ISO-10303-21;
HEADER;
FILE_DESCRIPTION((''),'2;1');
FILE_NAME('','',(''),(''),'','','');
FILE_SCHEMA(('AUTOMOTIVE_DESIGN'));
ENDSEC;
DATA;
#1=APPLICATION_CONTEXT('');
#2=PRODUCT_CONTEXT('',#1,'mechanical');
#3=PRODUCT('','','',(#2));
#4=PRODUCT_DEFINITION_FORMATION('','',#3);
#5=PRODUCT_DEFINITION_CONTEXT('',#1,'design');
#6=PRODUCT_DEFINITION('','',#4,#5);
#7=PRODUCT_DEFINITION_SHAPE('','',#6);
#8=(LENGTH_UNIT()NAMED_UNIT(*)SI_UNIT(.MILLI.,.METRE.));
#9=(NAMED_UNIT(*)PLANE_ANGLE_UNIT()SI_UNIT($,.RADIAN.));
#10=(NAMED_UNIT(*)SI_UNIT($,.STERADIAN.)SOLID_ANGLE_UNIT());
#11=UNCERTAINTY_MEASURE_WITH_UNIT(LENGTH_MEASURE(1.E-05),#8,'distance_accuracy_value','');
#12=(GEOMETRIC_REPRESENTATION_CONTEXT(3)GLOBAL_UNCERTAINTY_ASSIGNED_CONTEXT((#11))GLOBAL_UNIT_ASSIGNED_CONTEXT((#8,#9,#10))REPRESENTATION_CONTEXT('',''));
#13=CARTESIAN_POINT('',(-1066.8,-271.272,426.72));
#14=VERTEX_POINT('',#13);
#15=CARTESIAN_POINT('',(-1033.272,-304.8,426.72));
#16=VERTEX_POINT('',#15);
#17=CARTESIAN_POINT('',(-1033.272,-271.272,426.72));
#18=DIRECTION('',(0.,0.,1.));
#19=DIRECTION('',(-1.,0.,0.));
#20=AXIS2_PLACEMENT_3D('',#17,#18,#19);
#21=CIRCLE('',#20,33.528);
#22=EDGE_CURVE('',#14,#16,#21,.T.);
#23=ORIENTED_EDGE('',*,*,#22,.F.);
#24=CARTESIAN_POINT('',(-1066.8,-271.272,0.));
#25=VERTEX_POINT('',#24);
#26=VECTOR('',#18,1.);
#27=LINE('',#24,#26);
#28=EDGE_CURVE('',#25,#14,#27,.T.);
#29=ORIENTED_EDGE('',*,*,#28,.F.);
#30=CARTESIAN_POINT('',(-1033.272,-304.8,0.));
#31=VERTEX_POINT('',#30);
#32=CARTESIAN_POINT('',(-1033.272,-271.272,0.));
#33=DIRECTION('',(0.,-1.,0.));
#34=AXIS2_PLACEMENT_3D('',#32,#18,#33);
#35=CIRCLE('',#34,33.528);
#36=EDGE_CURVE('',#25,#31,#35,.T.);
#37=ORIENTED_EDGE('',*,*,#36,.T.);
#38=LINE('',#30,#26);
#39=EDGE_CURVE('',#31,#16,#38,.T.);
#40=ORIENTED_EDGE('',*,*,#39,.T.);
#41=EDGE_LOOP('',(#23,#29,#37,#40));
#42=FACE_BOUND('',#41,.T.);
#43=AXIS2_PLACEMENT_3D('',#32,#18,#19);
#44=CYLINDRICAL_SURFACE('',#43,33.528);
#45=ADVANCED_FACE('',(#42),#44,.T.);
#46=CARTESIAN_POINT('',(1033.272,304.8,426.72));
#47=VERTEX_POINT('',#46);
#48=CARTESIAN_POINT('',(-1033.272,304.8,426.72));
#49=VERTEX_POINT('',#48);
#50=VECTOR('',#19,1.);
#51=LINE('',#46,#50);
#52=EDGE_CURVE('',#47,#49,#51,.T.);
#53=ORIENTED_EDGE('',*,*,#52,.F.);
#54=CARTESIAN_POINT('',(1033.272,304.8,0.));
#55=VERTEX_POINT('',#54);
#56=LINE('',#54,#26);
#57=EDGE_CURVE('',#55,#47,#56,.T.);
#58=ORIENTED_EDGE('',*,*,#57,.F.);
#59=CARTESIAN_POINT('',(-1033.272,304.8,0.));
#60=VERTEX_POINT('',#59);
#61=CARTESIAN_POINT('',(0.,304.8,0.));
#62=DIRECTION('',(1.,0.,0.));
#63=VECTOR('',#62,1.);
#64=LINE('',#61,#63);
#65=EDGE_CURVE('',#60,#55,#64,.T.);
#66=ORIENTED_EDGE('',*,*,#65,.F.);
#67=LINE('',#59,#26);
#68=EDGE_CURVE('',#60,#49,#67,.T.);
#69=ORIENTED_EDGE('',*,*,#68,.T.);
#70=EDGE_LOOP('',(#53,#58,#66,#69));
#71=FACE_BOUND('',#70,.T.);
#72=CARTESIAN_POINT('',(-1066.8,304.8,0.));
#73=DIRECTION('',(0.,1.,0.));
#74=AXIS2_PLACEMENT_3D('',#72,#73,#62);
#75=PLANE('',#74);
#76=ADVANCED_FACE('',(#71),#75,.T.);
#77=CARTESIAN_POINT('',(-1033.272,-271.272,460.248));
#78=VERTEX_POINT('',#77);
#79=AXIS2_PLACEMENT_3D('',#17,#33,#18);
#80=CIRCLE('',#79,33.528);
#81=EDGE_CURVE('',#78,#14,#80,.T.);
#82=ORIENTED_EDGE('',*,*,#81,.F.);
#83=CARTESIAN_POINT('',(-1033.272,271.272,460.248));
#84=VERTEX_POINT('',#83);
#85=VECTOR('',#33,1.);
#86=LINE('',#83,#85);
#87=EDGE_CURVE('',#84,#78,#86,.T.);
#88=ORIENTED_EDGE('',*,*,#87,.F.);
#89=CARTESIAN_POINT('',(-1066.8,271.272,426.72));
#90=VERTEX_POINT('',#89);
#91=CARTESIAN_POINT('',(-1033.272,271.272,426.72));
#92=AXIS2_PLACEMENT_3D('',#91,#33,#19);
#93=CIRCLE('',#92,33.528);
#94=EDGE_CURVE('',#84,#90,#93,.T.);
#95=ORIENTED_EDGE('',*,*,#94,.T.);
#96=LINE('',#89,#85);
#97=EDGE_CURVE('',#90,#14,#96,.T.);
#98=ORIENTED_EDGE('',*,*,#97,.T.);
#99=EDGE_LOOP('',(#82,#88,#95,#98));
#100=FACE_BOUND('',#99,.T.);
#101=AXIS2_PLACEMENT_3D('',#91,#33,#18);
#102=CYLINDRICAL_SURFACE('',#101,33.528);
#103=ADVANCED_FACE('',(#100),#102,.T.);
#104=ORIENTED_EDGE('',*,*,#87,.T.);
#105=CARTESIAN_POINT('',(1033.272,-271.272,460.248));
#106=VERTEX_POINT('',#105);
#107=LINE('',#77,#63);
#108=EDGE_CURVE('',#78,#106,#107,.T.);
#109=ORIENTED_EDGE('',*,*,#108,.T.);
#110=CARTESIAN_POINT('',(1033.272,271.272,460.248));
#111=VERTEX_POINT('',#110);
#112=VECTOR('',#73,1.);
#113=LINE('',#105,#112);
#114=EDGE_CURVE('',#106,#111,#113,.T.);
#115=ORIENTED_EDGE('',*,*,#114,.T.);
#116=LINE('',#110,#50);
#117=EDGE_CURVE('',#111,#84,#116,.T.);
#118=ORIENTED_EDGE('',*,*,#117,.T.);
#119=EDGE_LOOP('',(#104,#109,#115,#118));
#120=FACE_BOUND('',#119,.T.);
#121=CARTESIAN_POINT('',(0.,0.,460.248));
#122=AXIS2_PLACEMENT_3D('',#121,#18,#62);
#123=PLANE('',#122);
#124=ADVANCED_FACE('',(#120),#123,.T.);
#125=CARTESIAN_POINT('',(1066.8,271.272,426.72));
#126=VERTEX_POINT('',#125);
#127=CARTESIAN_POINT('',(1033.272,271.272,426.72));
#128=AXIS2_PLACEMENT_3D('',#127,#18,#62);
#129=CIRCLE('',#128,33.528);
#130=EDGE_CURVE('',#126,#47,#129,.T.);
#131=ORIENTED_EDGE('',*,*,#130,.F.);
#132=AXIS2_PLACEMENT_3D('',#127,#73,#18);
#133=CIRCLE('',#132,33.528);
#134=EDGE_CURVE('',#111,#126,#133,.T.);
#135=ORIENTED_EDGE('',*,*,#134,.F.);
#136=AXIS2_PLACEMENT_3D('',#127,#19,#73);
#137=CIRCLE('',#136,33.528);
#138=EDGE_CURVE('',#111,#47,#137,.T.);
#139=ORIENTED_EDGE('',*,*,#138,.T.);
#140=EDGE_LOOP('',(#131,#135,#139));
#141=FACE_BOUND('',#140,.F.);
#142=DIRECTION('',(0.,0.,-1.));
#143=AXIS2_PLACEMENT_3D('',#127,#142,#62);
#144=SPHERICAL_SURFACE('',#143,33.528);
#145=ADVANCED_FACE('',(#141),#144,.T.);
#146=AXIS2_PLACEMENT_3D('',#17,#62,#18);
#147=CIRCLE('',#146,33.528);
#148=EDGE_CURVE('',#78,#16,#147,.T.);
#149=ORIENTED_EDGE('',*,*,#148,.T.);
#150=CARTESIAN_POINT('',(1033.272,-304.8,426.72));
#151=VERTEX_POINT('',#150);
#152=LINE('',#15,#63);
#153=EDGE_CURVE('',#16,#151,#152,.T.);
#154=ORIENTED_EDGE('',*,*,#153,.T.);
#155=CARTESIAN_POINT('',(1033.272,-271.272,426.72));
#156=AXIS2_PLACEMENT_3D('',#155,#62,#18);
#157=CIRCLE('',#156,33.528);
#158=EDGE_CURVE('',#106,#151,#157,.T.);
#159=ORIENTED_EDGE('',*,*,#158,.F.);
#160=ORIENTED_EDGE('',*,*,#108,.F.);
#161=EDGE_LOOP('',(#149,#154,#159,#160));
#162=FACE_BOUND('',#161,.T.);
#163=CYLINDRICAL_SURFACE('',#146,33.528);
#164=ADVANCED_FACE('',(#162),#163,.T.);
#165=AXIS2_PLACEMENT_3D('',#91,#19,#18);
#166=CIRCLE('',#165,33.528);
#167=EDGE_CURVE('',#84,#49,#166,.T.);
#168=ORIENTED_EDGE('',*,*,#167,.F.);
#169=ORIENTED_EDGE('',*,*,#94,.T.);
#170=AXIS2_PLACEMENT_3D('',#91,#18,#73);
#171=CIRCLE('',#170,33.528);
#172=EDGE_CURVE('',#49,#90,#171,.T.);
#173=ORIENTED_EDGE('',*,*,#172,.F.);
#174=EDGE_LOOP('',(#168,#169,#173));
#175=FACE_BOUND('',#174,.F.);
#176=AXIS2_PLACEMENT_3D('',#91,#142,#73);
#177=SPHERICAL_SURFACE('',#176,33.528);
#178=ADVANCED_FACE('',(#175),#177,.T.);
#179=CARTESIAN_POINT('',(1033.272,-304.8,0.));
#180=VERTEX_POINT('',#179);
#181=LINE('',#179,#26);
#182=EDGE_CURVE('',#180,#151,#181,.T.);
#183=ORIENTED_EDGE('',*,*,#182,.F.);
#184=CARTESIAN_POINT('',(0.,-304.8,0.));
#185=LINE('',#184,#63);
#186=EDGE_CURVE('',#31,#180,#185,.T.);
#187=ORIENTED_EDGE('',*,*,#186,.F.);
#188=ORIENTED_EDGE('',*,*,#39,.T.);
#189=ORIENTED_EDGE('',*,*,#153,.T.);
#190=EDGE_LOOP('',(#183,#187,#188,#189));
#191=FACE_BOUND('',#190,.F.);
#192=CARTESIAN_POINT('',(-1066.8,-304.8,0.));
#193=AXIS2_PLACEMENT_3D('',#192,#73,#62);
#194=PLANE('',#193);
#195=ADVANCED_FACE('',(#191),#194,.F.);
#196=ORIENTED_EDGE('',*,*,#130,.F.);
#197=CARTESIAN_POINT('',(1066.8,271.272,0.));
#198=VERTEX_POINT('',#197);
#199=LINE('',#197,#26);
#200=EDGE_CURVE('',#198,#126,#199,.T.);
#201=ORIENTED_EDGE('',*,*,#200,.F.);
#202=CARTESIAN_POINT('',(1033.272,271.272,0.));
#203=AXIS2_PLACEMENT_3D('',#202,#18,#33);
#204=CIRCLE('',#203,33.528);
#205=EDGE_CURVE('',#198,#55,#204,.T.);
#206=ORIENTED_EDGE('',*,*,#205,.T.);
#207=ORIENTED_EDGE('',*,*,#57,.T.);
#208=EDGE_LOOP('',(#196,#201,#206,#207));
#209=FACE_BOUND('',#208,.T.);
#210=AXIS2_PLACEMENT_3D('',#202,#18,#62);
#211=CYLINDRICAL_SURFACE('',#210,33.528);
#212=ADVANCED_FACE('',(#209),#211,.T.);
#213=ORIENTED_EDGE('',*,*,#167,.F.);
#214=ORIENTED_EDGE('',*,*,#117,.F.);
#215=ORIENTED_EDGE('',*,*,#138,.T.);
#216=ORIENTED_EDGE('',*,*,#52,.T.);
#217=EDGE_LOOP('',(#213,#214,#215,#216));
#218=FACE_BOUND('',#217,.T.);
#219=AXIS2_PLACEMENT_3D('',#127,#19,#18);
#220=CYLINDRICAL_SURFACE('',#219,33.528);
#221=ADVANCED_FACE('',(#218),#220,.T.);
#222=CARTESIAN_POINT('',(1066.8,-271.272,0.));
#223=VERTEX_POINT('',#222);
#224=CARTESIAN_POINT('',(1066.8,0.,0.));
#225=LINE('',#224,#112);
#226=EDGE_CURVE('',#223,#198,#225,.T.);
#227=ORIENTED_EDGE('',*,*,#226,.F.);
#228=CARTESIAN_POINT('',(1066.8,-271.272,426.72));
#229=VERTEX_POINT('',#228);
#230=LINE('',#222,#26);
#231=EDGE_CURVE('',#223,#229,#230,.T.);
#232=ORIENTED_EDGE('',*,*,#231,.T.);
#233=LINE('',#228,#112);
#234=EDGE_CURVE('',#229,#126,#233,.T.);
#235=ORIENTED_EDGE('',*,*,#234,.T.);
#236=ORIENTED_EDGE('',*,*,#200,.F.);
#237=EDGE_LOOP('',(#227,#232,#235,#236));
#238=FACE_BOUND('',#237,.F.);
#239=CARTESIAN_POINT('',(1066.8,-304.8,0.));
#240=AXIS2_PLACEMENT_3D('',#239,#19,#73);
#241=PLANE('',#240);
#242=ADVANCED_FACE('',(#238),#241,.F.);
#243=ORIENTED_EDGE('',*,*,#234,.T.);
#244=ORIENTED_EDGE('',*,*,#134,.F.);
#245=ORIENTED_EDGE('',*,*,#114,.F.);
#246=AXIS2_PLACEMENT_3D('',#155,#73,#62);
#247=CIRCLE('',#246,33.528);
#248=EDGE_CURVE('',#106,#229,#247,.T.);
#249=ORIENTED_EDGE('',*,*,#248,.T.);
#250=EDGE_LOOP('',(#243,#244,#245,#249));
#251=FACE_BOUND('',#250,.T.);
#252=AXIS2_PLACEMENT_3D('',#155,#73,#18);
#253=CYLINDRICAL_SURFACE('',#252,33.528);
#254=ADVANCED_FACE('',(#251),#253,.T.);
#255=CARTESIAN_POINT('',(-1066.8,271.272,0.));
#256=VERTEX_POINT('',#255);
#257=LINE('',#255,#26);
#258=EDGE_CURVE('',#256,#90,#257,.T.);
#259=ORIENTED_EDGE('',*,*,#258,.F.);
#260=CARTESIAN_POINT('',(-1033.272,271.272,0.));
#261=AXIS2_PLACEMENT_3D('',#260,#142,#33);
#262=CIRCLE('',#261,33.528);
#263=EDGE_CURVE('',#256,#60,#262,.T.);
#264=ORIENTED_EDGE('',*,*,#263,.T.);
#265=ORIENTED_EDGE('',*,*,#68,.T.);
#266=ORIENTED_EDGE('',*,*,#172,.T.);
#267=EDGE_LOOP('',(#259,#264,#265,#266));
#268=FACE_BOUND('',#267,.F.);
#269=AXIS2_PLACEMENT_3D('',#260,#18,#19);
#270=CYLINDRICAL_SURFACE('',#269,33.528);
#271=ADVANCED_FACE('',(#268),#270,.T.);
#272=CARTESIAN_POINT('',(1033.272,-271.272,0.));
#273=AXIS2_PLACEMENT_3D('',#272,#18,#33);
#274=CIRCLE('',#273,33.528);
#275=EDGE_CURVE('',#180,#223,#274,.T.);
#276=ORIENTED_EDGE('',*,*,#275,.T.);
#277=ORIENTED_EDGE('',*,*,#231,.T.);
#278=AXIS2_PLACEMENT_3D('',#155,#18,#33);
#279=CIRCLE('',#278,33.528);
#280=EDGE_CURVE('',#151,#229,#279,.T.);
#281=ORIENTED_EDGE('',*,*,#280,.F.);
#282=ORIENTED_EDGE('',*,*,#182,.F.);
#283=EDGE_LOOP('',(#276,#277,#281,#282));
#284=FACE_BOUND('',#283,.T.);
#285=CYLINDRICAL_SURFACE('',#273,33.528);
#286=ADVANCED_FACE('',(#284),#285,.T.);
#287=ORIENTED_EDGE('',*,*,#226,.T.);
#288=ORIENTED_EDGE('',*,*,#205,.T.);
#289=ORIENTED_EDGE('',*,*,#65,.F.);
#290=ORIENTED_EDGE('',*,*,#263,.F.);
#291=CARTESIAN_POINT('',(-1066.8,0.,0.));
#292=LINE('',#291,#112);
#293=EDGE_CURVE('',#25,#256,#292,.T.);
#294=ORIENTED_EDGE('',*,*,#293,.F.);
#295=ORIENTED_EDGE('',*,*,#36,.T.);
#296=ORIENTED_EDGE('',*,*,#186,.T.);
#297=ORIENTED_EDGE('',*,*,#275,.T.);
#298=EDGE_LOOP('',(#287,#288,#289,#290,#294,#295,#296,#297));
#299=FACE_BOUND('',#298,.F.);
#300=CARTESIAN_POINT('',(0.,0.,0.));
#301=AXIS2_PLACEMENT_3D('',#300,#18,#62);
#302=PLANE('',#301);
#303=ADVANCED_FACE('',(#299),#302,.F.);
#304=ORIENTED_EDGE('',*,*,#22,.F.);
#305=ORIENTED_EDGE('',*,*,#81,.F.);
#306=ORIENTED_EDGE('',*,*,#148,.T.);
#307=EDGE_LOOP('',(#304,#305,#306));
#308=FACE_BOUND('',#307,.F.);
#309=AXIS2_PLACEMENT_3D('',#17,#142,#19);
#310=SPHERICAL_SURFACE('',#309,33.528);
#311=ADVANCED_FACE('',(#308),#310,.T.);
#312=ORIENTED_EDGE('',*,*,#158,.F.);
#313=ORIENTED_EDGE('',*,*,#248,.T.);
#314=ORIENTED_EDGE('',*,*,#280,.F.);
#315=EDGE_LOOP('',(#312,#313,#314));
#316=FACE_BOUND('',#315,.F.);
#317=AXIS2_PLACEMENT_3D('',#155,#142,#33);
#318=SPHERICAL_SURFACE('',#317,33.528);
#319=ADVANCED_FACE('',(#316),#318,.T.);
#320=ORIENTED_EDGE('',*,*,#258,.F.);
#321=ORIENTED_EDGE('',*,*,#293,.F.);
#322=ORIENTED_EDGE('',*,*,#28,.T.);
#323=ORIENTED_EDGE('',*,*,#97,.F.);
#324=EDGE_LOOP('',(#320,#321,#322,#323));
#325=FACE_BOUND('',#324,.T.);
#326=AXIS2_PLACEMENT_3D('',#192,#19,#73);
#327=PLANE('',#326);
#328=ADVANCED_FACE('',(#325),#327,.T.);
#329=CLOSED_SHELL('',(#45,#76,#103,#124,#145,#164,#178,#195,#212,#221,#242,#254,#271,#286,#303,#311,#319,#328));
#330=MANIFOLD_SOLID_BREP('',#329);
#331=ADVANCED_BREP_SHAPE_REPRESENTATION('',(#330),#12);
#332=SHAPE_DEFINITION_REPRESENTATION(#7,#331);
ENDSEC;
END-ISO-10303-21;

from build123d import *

# Parameters (mm, degrees)
F0_W     = 2133.6
F0_H     = 609.6
F1_DEPTH = 460.248
F2_R     = 33.528
F3_R     = 33.528


with BuildPart() as f1:
    # F0 (on Top) → F1 (new body)
    with BuildSketch(Plane.XY):
        Rectangle(F0_W, F0_H)
    extrude(amount=F1_DEPTH)

    # F2
    f2_edges = [f1.edges().sort_by_distance(p)[0] for p in [
        (1066.8, -304.8, 230.124),
        (1066.8, 304.8, 230.124),
        (-1066.8, -304.8, 230.124),
        (-1066.8, 304.8, 230.124),
    ]]
    fillet(f2_edges, radius=F2_R)

    # F3
    f3_edges = [f1.edges().sort_by_distance(p)[0] for p in [
        (0, -304.8, 460.248),
    ]]
    fillet(f3_edges, radius=F3_R)


solid = f1.part
